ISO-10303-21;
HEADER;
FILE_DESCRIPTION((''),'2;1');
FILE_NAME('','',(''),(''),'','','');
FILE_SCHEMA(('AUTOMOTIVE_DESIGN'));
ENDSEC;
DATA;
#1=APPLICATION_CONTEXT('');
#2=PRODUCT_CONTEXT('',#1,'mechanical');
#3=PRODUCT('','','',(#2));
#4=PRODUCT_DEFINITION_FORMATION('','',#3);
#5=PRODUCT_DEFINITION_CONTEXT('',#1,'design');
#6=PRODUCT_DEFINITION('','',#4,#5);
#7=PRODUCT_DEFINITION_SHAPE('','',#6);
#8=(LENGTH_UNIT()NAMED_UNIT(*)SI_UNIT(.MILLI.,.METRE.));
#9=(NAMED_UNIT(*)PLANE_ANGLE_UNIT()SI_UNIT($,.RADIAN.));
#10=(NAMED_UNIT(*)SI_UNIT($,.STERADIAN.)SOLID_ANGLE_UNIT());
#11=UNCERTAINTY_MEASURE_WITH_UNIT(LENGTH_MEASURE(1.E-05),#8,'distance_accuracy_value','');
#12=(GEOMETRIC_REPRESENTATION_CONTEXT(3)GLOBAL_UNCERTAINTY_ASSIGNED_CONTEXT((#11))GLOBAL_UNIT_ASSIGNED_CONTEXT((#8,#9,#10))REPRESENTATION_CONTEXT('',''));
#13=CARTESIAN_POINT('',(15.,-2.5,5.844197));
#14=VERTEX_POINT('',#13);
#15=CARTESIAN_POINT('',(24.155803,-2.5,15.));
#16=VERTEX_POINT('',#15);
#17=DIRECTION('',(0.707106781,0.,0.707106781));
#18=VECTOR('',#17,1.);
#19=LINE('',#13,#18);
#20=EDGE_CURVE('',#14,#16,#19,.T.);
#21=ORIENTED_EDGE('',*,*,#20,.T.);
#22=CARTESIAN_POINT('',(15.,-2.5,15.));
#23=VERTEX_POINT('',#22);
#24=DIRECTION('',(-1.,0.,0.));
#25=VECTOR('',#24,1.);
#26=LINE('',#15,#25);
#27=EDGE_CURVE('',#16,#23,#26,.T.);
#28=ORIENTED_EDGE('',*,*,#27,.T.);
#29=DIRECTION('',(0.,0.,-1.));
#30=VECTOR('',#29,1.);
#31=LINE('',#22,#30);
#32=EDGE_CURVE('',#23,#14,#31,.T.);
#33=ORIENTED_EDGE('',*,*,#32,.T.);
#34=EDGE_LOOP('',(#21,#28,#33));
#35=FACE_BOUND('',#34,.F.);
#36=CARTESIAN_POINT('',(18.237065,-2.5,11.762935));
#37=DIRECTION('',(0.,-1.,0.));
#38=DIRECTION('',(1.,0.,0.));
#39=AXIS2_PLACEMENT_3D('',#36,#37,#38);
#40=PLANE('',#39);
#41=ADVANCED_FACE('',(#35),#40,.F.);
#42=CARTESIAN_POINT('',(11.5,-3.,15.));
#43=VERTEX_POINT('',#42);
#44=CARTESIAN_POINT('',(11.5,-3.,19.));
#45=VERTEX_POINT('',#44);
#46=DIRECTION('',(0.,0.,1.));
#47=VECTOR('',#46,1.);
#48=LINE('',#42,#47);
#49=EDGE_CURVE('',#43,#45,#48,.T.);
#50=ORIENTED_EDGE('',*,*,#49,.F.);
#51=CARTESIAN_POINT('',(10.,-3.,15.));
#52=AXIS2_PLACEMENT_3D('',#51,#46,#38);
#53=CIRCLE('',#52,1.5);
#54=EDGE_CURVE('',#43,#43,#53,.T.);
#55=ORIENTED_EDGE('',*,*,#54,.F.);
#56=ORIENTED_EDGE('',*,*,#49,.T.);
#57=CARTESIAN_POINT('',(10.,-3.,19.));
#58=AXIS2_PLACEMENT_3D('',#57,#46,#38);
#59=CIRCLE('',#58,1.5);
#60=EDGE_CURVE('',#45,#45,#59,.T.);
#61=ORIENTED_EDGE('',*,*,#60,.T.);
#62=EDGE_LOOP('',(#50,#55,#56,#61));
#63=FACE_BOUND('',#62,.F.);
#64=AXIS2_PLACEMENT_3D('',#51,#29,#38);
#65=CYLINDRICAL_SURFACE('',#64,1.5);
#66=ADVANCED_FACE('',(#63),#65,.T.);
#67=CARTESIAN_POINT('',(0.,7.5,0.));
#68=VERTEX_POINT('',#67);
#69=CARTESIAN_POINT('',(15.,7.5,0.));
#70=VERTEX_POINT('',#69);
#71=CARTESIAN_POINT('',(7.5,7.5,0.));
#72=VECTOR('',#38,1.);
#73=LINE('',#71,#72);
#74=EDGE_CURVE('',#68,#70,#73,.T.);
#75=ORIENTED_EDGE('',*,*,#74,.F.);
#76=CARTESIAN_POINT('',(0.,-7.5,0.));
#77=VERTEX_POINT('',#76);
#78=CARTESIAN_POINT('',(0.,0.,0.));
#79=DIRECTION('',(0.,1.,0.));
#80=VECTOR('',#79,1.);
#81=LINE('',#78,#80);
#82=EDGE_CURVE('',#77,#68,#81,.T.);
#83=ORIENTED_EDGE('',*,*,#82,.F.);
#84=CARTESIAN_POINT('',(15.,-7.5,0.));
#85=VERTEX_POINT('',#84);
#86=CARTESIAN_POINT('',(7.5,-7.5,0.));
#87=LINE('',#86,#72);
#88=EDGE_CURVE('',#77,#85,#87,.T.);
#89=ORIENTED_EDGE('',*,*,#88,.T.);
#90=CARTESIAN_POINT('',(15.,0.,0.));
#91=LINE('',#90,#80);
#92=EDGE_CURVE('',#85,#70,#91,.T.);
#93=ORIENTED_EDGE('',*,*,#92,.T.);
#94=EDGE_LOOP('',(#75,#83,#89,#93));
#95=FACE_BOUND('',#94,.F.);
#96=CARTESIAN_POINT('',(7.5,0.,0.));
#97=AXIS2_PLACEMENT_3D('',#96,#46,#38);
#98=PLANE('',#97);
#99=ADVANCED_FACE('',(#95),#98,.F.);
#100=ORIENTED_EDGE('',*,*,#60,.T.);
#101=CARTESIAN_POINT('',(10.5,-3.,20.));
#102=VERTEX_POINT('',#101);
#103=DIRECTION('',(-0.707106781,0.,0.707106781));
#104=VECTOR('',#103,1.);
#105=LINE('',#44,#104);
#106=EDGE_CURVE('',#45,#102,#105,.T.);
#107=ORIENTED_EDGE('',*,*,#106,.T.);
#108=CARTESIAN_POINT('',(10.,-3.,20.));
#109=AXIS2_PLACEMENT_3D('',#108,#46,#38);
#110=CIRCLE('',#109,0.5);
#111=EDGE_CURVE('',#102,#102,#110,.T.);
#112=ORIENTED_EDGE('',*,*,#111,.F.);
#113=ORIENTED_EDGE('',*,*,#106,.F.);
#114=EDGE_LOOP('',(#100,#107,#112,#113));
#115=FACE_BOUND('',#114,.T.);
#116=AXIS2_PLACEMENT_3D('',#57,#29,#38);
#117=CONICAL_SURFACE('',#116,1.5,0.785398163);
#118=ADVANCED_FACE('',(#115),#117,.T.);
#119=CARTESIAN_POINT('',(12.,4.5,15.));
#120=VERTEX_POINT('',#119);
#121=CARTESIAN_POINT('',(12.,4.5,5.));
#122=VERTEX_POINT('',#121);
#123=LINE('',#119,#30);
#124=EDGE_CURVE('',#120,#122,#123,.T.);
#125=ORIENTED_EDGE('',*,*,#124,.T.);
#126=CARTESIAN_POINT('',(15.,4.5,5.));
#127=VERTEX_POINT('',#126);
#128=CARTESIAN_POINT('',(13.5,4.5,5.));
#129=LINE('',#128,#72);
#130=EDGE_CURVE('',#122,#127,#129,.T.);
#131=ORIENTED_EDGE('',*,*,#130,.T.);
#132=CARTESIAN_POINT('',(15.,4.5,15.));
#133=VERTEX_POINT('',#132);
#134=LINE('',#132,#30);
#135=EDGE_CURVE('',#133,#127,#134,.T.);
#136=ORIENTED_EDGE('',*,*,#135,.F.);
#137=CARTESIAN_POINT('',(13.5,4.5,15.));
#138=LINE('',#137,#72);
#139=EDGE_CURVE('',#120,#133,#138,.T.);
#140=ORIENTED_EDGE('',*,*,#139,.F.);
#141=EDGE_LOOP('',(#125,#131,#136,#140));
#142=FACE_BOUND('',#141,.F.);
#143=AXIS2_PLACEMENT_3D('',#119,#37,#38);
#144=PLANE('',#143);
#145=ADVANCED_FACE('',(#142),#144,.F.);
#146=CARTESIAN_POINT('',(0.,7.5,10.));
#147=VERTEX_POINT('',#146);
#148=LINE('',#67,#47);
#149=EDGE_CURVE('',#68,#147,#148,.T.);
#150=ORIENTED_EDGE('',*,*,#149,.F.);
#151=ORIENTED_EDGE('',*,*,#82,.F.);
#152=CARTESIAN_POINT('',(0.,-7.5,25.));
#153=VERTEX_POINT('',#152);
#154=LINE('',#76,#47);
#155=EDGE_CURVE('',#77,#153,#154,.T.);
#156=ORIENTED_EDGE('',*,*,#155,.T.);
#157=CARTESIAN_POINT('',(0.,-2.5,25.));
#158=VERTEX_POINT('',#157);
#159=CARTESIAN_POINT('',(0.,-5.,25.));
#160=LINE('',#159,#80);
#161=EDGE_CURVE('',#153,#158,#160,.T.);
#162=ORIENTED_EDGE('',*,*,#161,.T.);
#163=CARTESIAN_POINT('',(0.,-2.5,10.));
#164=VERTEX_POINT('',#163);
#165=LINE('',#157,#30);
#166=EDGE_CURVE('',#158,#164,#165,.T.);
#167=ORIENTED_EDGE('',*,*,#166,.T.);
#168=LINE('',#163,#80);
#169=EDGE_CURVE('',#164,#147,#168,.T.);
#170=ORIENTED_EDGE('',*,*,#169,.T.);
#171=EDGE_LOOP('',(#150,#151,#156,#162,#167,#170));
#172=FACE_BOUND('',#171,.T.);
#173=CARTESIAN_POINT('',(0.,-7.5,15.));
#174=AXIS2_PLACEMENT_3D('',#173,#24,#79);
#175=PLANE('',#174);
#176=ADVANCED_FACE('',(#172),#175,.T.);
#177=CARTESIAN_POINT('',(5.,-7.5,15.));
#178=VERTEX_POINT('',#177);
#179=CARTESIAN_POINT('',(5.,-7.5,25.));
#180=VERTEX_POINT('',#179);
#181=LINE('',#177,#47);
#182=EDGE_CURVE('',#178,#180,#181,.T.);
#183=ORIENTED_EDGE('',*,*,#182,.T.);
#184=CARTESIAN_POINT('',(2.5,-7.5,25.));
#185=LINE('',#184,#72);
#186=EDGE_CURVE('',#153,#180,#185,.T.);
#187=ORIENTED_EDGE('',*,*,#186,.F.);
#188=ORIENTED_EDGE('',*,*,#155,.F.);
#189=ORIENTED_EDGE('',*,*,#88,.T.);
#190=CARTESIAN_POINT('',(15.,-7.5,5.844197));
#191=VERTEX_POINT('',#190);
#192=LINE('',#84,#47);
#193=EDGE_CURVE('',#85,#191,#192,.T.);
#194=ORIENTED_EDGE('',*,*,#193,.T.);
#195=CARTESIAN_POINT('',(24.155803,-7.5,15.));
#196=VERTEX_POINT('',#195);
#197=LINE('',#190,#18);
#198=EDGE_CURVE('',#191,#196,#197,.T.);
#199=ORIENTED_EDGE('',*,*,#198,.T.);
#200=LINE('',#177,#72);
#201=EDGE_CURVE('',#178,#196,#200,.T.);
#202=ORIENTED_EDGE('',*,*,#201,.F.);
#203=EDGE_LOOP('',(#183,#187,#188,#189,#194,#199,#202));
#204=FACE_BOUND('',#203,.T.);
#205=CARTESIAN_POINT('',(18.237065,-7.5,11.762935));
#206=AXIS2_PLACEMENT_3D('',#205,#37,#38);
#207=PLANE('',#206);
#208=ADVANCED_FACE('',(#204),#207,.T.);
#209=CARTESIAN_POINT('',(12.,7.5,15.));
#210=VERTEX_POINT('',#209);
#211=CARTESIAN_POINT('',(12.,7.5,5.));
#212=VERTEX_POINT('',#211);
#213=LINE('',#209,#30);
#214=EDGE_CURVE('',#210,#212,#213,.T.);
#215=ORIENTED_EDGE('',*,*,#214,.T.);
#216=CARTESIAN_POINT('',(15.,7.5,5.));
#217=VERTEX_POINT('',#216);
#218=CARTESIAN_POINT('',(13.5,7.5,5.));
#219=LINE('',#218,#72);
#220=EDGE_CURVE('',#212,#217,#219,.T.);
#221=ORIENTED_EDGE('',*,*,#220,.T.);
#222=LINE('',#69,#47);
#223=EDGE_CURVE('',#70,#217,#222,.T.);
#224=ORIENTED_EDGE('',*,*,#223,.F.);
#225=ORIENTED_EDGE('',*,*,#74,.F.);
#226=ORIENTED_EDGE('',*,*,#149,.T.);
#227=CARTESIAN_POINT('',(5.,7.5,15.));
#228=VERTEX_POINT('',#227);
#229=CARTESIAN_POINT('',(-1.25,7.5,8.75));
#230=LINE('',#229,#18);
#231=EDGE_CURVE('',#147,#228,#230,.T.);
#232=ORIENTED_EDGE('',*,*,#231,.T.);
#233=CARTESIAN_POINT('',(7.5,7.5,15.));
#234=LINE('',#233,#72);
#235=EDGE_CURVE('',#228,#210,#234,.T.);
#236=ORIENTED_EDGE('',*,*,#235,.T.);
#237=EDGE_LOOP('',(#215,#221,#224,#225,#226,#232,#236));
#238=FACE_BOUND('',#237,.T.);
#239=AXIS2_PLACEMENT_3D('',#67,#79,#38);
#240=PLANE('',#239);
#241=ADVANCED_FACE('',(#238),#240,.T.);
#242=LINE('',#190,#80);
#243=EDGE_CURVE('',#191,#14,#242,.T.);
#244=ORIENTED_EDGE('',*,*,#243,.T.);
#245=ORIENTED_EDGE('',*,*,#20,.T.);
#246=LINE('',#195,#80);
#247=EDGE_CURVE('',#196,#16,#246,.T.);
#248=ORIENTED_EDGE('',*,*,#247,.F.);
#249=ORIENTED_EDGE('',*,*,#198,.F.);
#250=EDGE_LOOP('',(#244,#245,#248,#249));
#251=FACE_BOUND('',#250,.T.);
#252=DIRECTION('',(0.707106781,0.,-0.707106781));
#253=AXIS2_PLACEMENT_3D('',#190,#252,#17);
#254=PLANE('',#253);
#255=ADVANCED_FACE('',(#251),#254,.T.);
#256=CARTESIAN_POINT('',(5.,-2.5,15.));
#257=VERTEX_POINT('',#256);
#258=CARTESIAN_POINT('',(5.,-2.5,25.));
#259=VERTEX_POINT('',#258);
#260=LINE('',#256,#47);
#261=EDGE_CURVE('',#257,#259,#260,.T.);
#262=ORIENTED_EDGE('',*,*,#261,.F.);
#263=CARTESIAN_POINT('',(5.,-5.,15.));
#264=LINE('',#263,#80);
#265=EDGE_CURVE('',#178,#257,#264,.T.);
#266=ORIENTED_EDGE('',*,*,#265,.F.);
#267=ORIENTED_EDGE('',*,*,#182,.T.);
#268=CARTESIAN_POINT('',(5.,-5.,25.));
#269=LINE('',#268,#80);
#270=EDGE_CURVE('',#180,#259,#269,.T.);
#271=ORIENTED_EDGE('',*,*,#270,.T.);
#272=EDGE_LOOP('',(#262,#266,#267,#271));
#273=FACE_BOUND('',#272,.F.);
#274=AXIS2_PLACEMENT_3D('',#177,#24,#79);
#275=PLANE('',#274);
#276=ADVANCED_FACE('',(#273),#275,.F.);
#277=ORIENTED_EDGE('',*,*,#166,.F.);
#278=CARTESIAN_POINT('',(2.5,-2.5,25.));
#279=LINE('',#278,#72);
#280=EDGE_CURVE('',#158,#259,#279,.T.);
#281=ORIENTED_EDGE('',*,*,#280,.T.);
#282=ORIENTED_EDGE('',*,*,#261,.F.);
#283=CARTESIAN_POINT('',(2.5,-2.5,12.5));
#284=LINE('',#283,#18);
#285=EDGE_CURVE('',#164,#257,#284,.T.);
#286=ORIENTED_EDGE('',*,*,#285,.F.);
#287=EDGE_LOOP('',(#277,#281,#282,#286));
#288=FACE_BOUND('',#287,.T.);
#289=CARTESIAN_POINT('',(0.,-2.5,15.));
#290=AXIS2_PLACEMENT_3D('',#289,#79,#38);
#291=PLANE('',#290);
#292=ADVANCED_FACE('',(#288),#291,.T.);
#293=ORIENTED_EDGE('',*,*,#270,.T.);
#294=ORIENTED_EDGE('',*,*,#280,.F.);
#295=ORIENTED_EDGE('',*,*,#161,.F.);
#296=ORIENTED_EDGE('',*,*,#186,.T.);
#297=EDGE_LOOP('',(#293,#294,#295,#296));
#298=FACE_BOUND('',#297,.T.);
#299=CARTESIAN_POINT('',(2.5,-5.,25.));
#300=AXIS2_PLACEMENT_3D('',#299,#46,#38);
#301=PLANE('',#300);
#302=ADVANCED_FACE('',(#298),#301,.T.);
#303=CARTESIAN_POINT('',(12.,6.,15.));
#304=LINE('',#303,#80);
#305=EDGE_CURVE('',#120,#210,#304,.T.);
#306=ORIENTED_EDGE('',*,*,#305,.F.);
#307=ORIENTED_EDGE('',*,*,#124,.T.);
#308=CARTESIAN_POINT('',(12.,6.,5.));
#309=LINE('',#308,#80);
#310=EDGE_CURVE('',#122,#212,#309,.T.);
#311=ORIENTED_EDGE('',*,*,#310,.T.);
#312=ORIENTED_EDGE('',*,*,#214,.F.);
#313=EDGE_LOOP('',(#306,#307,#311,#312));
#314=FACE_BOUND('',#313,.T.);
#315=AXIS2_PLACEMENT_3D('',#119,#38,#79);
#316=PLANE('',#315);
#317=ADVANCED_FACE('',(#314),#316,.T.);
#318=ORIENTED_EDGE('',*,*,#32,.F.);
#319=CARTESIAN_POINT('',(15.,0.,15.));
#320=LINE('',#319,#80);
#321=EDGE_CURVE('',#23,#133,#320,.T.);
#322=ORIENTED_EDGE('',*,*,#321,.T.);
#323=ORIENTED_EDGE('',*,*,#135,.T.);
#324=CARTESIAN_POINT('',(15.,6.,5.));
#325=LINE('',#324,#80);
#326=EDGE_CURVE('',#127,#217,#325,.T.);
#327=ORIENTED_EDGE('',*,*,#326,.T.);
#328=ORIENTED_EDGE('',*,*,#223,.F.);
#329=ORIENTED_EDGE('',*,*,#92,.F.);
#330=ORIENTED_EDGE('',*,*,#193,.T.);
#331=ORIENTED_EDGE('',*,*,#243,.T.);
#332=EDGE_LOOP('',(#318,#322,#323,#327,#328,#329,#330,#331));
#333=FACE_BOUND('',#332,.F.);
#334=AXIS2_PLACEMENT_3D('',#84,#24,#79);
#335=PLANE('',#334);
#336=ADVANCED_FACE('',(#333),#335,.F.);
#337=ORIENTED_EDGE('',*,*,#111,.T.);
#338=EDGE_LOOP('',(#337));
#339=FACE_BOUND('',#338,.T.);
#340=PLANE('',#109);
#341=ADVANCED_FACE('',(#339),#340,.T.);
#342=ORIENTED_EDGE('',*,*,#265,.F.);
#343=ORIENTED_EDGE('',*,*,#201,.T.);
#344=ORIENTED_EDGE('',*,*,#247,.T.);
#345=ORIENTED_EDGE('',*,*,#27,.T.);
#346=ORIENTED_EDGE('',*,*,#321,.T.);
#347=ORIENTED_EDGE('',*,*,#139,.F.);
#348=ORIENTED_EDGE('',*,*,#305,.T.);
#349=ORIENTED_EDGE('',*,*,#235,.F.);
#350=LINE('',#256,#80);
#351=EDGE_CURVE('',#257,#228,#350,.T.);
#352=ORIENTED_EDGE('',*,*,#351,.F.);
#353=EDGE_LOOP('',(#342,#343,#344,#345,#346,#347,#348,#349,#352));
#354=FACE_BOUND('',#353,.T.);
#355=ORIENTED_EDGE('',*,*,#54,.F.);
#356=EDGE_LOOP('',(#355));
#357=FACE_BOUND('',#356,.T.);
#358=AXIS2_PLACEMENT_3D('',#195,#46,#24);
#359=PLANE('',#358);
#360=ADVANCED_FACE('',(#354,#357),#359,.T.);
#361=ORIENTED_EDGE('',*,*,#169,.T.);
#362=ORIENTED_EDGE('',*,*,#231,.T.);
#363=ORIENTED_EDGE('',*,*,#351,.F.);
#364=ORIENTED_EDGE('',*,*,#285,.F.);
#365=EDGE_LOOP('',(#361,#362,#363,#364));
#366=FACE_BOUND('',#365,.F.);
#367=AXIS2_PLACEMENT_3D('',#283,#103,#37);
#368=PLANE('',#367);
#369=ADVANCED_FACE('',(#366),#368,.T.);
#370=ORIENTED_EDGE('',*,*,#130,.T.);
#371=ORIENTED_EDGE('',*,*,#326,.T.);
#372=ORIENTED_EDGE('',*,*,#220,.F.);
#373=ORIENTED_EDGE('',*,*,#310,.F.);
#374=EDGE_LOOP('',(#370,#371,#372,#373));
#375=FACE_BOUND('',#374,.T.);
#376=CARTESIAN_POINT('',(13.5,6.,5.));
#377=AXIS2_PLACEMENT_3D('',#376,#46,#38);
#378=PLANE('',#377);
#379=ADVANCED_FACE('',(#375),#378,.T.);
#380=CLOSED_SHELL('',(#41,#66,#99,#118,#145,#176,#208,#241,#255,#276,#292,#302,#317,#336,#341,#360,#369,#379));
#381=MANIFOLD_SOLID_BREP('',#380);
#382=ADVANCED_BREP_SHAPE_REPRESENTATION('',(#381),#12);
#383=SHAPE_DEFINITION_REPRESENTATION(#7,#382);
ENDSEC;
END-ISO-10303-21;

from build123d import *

# Parameters (mm, degrees)
F0_W     = 15
F0_H     = 15
F1_DEPTH = 15
F2_W     = 5
F2_H     = 5
F3_DEPTH = 10
F2_R     = 1.5
F4_DEPTH = 5
F2_W_2   = 3
F2_H_2   = 3
F5_DEPTH = 10
F6_SIZE  = 5
F8_DEPTH = 5
F9_SIZE  = 1


with BuildPart() as f1:
    # F0 (on Top) → F1 (new body)
    with BuildSketch(Plane.XY):
        with Locations((7.5, 0)):
            Rectangle(F0_W, F0_H)
    extrude(amount=F1_DEPTH)

    # F2 (on face) → F3 (join)
    with BuildSketch(Plane.XY.offset(15)):
        with Locations((2.5, -5)):
            Rectangle(F2_W, F2_H)
    extrude(amount=F3_DEPTH)

    # F2 (on face) → F4 (join)
    with BuildSketch(Plane.XY.offset(15)):
        with Locations((10, -3)):
            Circle(F2_R)
    extrude(amount=F4_DEPTH)

    # F2 (on face) → F5 (cut)
    with BuildSketch(Plane.XY.offset(15)):
        with Locations((13.5, 6)):
            Rectangle(F2_W_2, F2_H_2)
    extrude(amount=-F5_DEPTH, mode=Mode.SUBTRACT)

    # F6
    f6_edges = [f1.edges().sort_by_distance(p)[0] for p in [
        (0, 2.5, 15),
    ]]
    chamfer(f6_edges, length=F6_SIZE)

    # F7 (on face) → F8 (join)
    with BuildSketch(Plane.XZ.offset(7.5)):
        Polygon((24.155803, 15), (15, 15), (15, 5.844197), align=None)
    extrude(amount=-F8_DEPTH)

    # F9
    f9_edges = [f1.edges().sort_by_distance(p)[0] for p in [
        (8.5, -3, 20),
    ]]
    chamfer(f9_edges, length=F9_SIZE)


solid = f1.part
